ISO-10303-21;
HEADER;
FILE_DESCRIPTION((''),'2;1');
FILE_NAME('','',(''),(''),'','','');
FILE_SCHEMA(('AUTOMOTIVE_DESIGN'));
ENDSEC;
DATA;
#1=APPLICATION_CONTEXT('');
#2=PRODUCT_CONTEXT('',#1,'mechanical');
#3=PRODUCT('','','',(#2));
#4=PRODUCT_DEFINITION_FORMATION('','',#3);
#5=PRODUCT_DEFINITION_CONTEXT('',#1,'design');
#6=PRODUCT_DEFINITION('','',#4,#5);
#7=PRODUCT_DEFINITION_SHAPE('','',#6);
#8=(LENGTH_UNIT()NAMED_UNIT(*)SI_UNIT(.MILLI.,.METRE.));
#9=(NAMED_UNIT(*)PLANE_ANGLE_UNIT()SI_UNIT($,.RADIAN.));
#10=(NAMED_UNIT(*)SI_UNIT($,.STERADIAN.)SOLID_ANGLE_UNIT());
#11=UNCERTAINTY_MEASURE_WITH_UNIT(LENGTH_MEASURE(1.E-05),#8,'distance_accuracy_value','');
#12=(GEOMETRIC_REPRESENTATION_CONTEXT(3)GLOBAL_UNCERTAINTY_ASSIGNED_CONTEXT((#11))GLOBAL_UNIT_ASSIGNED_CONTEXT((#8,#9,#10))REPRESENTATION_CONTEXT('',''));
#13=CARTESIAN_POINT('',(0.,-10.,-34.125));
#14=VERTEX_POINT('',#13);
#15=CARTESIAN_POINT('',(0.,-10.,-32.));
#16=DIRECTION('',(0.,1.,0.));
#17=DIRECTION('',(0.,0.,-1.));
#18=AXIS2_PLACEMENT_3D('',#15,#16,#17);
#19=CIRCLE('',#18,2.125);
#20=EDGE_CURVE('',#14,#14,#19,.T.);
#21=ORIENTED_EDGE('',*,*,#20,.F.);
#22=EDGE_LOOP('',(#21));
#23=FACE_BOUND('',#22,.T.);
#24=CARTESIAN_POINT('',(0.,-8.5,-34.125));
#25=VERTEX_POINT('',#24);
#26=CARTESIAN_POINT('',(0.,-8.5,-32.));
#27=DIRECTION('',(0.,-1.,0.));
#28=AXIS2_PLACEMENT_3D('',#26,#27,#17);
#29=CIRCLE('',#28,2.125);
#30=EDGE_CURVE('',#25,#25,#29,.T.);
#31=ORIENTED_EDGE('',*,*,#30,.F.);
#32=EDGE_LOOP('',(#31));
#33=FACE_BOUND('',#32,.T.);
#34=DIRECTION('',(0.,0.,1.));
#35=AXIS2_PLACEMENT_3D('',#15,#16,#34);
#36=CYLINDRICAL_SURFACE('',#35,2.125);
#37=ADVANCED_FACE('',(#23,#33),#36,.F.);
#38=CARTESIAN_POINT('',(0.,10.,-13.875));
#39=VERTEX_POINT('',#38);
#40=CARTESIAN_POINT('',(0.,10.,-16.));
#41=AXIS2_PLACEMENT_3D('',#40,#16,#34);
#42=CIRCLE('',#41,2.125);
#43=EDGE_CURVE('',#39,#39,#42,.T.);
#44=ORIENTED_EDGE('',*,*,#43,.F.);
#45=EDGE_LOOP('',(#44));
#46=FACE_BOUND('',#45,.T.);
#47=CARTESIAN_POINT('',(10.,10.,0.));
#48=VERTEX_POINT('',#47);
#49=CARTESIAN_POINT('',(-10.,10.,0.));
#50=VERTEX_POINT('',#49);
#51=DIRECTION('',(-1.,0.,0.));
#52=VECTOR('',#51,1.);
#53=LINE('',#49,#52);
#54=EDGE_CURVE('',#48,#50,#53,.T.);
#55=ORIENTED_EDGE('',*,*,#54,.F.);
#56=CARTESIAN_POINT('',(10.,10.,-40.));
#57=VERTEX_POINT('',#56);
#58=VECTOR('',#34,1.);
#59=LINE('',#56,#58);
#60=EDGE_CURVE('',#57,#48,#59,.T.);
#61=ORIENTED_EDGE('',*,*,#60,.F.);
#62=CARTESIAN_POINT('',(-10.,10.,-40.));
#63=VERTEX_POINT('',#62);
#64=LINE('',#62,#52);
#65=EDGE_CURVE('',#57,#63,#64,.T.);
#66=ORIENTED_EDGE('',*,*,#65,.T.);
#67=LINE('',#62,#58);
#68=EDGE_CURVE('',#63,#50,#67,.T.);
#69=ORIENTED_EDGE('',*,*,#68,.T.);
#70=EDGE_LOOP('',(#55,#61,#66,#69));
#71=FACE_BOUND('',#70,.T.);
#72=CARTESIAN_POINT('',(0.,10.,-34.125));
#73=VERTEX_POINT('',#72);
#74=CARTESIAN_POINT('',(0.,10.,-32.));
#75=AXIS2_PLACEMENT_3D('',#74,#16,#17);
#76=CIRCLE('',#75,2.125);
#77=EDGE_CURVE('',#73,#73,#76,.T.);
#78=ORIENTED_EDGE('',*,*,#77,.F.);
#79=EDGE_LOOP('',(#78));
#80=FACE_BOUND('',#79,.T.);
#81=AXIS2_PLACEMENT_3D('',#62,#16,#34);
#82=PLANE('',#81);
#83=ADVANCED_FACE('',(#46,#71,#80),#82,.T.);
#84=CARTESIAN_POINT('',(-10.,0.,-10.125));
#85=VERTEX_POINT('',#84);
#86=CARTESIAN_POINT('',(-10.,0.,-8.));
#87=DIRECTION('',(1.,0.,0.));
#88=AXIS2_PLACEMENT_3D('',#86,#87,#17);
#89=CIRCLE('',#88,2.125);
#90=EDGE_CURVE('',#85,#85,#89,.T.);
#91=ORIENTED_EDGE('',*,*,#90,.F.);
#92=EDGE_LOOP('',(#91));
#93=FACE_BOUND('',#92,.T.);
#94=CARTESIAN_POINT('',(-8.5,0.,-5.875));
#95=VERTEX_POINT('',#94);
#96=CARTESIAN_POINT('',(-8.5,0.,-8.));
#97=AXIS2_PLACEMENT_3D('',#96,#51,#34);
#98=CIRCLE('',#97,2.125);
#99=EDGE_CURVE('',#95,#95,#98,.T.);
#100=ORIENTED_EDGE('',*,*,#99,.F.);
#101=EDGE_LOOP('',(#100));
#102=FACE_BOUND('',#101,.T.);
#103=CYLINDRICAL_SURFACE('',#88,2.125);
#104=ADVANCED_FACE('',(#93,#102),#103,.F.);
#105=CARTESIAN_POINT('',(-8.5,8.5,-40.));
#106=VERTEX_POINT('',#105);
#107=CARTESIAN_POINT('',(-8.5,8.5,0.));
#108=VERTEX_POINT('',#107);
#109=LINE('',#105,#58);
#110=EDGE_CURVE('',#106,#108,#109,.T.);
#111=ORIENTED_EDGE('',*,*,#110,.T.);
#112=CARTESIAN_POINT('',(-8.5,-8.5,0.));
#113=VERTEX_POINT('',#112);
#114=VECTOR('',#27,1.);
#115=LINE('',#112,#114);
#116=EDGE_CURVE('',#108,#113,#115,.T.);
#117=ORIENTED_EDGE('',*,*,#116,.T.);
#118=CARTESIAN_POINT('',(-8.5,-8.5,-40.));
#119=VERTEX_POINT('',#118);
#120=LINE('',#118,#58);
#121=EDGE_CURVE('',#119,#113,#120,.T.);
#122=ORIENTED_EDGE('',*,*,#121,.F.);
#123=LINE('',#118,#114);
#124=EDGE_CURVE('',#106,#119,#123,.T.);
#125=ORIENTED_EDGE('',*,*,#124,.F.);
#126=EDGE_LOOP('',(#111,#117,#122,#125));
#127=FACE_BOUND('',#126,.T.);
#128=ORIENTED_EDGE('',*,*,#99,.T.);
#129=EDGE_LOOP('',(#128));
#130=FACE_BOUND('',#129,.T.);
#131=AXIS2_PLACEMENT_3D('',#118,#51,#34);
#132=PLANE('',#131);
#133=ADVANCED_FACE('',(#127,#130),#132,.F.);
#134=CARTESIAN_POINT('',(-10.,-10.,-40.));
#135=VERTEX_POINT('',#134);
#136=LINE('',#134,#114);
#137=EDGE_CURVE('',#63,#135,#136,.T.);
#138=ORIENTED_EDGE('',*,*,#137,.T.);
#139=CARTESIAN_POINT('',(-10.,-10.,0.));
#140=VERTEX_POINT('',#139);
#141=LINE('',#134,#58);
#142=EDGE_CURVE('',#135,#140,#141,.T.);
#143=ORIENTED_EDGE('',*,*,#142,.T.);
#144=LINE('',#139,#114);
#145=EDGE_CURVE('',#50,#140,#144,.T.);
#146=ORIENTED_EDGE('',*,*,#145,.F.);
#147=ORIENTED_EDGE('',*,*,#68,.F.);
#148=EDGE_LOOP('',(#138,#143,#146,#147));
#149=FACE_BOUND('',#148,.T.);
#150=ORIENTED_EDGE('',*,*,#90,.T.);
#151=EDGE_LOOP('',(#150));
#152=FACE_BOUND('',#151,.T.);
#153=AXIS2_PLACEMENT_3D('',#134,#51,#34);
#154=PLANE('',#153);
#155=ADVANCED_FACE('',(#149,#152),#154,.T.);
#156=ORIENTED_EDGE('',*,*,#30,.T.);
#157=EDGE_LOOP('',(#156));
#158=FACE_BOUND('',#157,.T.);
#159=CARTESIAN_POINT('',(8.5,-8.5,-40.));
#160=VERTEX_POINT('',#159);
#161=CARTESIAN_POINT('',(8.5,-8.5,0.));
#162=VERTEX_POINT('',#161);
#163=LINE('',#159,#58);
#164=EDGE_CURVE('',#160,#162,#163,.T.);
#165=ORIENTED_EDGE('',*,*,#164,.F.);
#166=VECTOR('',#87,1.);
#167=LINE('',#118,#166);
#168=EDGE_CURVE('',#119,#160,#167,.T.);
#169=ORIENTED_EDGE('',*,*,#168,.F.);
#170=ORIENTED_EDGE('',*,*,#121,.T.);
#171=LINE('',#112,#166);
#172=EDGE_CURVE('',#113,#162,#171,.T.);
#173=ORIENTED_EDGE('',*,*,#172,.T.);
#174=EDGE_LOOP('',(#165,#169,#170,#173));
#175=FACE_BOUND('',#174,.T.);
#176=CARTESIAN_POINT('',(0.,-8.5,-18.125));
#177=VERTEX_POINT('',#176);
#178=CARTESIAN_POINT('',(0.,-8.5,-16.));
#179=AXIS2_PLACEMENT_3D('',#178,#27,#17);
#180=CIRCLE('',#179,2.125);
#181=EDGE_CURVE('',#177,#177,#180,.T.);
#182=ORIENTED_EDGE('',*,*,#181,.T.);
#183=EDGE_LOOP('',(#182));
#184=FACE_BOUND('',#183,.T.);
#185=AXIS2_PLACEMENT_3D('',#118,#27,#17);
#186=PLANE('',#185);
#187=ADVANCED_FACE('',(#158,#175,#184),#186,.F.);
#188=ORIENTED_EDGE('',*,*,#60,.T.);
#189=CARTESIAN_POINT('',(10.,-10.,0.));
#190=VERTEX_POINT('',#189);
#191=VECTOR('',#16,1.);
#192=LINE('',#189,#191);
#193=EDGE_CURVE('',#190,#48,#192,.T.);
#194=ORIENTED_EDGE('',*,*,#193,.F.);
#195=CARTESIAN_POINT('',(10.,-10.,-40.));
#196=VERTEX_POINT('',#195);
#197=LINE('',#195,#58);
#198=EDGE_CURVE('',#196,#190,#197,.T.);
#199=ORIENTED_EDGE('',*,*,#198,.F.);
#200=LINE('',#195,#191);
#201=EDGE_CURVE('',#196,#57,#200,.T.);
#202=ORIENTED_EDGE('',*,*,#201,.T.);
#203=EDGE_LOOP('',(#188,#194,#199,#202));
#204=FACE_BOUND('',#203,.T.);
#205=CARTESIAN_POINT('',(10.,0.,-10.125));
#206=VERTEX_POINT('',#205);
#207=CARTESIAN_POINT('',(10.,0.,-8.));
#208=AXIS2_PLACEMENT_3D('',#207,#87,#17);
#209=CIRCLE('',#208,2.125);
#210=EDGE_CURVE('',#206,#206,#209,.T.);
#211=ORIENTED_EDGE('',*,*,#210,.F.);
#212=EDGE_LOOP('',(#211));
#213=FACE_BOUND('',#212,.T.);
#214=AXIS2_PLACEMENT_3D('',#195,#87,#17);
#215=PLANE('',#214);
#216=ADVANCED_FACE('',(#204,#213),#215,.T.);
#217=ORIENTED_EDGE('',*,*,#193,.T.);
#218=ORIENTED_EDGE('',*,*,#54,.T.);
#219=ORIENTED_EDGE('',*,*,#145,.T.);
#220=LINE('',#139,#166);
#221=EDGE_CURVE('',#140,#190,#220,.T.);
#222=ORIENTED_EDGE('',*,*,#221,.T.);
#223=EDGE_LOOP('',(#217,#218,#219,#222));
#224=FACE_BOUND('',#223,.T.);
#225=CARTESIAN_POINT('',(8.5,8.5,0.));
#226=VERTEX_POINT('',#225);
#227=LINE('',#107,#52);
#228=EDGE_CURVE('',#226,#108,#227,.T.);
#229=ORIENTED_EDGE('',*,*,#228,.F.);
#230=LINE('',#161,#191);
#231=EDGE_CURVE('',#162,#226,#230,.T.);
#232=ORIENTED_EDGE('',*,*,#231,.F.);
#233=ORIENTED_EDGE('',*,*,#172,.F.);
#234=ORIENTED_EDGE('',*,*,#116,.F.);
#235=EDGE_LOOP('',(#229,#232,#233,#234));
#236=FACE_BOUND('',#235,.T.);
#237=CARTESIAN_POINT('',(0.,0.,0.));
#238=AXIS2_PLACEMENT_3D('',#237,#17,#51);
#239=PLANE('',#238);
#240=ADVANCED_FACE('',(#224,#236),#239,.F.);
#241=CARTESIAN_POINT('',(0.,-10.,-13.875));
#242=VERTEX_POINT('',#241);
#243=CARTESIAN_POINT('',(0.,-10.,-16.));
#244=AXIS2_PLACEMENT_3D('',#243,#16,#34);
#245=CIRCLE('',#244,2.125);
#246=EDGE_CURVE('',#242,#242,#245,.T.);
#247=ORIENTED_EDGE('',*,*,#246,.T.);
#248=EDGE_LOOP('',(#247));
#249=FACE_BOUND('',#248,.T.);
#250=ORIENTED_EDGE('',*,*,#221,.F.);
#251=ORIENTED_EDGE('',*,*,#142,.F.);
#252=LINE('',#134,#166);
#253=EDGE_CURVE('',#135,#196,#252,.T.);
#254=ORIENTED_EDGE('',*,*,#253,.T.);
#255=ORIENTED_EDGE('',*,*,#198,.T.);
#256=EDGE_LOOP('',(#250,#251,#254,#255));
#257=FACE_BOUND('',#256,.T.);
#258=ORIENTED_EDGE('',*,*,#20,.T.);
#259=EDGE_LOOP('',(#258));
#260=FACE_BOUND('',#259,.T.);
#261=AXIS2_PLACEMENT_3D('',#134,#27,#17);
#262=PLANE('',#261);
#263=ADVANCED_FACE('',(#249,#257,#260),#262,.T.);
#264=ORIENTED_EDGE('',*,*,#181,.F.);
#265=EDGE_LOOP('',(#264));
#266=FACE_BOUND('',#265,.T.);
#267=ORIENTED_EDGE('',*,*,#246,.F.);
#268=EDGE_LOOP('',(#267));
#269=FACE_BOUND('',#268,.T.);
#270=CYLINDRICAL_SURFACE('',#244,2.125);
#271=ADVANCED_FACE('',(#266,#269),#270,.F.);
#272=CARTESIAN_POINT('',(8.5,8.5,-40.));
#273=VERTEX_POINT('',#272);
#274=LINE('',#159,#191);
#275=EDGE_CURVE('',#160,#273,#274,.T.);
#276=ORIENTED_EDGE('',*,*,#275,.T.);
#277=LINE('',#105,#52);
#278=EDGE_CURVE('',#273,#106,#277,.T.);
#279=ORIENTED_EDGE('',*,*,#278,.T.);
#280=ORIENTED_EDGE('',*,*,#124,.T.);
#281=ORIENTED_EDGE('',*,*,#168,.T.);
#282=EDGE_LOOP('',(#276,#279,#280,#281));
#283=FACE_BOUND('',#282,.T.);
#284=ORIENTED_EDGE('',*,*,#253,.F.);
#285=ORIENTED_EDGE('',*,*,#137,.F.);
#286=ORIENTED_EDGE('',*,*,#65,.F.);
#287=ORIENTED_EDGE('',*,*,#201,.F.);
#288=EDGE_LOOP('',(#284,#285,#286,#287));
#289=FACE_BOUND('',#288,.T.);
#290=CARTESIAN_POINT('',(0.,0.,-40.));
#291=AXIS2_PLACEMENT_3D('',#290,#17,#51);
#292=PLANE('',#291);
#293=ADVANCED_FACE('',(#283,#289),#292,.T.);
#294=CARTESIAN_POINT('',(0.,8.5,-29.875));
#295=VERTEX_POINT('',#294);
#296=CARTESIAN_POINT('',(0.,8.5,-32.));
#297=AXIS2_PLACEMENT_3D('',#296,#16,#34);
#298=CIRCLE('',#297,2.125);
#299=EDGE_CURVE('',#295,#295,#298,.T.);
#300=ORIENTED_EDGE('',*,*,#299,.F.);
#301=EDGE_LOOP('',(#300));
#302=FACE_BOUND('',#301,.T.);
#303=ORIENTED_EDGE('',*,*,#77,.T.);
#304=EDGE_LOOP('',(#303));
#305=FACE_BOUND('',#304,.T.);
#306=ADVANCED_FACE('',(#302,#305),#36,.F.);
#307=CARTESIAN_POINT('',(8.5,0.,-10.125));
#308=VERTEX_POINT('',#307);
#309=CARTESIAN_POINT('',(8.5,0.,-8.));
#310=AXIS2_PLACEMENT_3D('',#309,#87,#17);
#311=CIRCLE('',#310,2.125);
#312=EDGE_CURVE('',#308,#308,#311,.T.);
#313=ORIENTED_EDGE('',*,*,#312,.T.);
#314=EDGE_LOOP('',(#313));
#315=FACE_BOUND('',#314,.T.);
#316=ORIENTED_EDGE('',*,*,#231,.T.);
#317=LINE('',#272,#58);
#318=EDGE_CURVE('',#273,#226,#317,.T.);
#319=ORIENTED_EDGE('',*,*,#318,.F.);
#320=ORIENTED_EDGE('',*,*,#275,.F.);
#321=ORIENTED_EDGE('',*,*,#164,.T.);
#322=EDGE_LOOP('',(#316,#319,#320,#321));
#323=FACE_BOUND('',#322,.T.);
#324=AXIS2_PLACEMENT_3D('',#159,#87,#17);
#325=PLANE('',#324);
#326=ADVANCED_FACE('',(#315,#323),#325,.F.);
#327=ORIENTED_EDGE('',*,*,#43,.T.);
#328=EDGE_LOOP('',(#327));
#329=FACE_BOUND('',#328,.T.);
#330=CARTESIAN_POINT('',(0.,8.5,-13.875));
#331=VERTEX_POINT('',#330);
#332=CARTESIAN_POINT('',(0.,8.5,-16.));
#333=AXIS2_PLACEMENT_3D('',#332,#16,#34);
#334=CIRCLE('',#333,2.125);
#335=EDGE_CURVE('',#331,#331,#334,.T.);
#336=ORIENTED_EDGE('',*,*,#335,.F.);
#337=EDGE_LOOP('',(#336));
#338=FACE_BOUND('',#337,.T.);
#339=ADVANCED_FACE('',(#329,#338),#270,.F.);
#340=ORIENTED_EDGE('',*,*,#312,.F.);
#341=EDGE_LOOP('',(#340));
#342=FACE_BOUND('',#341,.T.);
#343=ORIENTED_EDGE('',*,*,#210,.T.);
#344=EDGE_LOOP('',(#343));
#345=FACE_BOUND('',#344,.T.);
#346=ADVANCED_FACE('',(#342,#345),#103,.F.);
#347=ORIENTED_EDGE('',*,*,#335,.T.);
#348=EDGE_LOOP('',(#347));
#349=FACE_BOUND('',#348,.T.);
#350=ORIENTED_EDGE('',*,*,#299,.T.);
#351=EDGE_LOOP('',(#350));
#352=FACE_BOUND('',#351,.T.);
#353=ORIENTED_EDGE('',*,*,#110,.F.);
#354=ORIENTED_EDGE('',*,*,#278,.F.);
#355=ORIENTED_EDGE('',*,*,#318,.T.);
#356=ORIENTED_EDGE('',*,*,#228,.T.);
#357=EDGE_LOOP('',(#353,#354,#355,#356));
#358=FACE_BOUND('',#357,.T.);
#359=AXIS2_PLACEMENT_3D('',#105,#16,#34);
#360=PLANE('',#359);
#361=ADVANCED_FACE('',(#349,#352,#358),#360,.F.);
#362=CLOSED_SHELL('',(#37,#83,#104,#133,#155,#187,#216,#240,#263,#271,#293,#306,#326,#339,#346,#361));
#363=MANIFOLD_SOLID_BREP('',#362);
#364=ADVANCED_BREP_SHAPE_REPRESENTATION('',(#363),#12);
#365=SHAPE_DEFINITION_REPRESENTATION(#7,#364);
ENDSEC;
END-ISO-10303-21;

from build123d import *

# Parameters (mm, degrees)
SKETCH1_W           = 20
SKETCH1_H           = 20
SKETCH1_W_2         = 17
SKETCH1_H_2         = 17
BOSS_EXTRUDE1_DEPTH = 40
SKETCH2_R           = 2.125
CUT_EXTRUDE1_DEPTH  = 46.82575695
SKETCH3_R           = 2.125
CUT_EXTRUDE2_DEPTH  = 46.82575695


with BuildPart() as part:
    # Sketch1 → Boss-Extrude1 (new body)
    with BuildSketch(Plane.XY):
        Rectangle(SKETCH1_W, SKETCH1_H)
        Rectangle(SKETCH1_W_2, SKETCH1_H_2, mode=Mode.SUBTRACT)
    extrude(amount=-BOSS_EXTRUDE1_DEPTH)

    # Sketch2 → Cut-Extrude1 (cut, through all)
    with BuildSketch(Plane(origin=(0, 10, 0), x_dir=(1, 0, 0), z_dir=(0, 1, 0))):
        with Locations(Location((0, 32, 0), (0, 0, 90))):
            Circle(SKETCH2_R)
        with Locations(Location((0, 16, 0), (0, 0, 270))):
            Circle(SKETCH2_R)
    extrude(amount=-CUT_EXTRUDE1_DEPTH, mode=Mode.SUBTRACT)

    # Sketch3 → Cut-Extrude2 (cut, through all)
    with BuildSketch(Plane(origin=(10, 0, 0), x_dir=(0, 0, -1), z_dir=(1, 0, 0))):
        with Locations((8, 0)):
            Circle(SKETCH3_R)
    extrude(amount=-CUT_EXTRUDE2_DEPTH, mode=Mode.SUBTRACT)


solid = part.part
